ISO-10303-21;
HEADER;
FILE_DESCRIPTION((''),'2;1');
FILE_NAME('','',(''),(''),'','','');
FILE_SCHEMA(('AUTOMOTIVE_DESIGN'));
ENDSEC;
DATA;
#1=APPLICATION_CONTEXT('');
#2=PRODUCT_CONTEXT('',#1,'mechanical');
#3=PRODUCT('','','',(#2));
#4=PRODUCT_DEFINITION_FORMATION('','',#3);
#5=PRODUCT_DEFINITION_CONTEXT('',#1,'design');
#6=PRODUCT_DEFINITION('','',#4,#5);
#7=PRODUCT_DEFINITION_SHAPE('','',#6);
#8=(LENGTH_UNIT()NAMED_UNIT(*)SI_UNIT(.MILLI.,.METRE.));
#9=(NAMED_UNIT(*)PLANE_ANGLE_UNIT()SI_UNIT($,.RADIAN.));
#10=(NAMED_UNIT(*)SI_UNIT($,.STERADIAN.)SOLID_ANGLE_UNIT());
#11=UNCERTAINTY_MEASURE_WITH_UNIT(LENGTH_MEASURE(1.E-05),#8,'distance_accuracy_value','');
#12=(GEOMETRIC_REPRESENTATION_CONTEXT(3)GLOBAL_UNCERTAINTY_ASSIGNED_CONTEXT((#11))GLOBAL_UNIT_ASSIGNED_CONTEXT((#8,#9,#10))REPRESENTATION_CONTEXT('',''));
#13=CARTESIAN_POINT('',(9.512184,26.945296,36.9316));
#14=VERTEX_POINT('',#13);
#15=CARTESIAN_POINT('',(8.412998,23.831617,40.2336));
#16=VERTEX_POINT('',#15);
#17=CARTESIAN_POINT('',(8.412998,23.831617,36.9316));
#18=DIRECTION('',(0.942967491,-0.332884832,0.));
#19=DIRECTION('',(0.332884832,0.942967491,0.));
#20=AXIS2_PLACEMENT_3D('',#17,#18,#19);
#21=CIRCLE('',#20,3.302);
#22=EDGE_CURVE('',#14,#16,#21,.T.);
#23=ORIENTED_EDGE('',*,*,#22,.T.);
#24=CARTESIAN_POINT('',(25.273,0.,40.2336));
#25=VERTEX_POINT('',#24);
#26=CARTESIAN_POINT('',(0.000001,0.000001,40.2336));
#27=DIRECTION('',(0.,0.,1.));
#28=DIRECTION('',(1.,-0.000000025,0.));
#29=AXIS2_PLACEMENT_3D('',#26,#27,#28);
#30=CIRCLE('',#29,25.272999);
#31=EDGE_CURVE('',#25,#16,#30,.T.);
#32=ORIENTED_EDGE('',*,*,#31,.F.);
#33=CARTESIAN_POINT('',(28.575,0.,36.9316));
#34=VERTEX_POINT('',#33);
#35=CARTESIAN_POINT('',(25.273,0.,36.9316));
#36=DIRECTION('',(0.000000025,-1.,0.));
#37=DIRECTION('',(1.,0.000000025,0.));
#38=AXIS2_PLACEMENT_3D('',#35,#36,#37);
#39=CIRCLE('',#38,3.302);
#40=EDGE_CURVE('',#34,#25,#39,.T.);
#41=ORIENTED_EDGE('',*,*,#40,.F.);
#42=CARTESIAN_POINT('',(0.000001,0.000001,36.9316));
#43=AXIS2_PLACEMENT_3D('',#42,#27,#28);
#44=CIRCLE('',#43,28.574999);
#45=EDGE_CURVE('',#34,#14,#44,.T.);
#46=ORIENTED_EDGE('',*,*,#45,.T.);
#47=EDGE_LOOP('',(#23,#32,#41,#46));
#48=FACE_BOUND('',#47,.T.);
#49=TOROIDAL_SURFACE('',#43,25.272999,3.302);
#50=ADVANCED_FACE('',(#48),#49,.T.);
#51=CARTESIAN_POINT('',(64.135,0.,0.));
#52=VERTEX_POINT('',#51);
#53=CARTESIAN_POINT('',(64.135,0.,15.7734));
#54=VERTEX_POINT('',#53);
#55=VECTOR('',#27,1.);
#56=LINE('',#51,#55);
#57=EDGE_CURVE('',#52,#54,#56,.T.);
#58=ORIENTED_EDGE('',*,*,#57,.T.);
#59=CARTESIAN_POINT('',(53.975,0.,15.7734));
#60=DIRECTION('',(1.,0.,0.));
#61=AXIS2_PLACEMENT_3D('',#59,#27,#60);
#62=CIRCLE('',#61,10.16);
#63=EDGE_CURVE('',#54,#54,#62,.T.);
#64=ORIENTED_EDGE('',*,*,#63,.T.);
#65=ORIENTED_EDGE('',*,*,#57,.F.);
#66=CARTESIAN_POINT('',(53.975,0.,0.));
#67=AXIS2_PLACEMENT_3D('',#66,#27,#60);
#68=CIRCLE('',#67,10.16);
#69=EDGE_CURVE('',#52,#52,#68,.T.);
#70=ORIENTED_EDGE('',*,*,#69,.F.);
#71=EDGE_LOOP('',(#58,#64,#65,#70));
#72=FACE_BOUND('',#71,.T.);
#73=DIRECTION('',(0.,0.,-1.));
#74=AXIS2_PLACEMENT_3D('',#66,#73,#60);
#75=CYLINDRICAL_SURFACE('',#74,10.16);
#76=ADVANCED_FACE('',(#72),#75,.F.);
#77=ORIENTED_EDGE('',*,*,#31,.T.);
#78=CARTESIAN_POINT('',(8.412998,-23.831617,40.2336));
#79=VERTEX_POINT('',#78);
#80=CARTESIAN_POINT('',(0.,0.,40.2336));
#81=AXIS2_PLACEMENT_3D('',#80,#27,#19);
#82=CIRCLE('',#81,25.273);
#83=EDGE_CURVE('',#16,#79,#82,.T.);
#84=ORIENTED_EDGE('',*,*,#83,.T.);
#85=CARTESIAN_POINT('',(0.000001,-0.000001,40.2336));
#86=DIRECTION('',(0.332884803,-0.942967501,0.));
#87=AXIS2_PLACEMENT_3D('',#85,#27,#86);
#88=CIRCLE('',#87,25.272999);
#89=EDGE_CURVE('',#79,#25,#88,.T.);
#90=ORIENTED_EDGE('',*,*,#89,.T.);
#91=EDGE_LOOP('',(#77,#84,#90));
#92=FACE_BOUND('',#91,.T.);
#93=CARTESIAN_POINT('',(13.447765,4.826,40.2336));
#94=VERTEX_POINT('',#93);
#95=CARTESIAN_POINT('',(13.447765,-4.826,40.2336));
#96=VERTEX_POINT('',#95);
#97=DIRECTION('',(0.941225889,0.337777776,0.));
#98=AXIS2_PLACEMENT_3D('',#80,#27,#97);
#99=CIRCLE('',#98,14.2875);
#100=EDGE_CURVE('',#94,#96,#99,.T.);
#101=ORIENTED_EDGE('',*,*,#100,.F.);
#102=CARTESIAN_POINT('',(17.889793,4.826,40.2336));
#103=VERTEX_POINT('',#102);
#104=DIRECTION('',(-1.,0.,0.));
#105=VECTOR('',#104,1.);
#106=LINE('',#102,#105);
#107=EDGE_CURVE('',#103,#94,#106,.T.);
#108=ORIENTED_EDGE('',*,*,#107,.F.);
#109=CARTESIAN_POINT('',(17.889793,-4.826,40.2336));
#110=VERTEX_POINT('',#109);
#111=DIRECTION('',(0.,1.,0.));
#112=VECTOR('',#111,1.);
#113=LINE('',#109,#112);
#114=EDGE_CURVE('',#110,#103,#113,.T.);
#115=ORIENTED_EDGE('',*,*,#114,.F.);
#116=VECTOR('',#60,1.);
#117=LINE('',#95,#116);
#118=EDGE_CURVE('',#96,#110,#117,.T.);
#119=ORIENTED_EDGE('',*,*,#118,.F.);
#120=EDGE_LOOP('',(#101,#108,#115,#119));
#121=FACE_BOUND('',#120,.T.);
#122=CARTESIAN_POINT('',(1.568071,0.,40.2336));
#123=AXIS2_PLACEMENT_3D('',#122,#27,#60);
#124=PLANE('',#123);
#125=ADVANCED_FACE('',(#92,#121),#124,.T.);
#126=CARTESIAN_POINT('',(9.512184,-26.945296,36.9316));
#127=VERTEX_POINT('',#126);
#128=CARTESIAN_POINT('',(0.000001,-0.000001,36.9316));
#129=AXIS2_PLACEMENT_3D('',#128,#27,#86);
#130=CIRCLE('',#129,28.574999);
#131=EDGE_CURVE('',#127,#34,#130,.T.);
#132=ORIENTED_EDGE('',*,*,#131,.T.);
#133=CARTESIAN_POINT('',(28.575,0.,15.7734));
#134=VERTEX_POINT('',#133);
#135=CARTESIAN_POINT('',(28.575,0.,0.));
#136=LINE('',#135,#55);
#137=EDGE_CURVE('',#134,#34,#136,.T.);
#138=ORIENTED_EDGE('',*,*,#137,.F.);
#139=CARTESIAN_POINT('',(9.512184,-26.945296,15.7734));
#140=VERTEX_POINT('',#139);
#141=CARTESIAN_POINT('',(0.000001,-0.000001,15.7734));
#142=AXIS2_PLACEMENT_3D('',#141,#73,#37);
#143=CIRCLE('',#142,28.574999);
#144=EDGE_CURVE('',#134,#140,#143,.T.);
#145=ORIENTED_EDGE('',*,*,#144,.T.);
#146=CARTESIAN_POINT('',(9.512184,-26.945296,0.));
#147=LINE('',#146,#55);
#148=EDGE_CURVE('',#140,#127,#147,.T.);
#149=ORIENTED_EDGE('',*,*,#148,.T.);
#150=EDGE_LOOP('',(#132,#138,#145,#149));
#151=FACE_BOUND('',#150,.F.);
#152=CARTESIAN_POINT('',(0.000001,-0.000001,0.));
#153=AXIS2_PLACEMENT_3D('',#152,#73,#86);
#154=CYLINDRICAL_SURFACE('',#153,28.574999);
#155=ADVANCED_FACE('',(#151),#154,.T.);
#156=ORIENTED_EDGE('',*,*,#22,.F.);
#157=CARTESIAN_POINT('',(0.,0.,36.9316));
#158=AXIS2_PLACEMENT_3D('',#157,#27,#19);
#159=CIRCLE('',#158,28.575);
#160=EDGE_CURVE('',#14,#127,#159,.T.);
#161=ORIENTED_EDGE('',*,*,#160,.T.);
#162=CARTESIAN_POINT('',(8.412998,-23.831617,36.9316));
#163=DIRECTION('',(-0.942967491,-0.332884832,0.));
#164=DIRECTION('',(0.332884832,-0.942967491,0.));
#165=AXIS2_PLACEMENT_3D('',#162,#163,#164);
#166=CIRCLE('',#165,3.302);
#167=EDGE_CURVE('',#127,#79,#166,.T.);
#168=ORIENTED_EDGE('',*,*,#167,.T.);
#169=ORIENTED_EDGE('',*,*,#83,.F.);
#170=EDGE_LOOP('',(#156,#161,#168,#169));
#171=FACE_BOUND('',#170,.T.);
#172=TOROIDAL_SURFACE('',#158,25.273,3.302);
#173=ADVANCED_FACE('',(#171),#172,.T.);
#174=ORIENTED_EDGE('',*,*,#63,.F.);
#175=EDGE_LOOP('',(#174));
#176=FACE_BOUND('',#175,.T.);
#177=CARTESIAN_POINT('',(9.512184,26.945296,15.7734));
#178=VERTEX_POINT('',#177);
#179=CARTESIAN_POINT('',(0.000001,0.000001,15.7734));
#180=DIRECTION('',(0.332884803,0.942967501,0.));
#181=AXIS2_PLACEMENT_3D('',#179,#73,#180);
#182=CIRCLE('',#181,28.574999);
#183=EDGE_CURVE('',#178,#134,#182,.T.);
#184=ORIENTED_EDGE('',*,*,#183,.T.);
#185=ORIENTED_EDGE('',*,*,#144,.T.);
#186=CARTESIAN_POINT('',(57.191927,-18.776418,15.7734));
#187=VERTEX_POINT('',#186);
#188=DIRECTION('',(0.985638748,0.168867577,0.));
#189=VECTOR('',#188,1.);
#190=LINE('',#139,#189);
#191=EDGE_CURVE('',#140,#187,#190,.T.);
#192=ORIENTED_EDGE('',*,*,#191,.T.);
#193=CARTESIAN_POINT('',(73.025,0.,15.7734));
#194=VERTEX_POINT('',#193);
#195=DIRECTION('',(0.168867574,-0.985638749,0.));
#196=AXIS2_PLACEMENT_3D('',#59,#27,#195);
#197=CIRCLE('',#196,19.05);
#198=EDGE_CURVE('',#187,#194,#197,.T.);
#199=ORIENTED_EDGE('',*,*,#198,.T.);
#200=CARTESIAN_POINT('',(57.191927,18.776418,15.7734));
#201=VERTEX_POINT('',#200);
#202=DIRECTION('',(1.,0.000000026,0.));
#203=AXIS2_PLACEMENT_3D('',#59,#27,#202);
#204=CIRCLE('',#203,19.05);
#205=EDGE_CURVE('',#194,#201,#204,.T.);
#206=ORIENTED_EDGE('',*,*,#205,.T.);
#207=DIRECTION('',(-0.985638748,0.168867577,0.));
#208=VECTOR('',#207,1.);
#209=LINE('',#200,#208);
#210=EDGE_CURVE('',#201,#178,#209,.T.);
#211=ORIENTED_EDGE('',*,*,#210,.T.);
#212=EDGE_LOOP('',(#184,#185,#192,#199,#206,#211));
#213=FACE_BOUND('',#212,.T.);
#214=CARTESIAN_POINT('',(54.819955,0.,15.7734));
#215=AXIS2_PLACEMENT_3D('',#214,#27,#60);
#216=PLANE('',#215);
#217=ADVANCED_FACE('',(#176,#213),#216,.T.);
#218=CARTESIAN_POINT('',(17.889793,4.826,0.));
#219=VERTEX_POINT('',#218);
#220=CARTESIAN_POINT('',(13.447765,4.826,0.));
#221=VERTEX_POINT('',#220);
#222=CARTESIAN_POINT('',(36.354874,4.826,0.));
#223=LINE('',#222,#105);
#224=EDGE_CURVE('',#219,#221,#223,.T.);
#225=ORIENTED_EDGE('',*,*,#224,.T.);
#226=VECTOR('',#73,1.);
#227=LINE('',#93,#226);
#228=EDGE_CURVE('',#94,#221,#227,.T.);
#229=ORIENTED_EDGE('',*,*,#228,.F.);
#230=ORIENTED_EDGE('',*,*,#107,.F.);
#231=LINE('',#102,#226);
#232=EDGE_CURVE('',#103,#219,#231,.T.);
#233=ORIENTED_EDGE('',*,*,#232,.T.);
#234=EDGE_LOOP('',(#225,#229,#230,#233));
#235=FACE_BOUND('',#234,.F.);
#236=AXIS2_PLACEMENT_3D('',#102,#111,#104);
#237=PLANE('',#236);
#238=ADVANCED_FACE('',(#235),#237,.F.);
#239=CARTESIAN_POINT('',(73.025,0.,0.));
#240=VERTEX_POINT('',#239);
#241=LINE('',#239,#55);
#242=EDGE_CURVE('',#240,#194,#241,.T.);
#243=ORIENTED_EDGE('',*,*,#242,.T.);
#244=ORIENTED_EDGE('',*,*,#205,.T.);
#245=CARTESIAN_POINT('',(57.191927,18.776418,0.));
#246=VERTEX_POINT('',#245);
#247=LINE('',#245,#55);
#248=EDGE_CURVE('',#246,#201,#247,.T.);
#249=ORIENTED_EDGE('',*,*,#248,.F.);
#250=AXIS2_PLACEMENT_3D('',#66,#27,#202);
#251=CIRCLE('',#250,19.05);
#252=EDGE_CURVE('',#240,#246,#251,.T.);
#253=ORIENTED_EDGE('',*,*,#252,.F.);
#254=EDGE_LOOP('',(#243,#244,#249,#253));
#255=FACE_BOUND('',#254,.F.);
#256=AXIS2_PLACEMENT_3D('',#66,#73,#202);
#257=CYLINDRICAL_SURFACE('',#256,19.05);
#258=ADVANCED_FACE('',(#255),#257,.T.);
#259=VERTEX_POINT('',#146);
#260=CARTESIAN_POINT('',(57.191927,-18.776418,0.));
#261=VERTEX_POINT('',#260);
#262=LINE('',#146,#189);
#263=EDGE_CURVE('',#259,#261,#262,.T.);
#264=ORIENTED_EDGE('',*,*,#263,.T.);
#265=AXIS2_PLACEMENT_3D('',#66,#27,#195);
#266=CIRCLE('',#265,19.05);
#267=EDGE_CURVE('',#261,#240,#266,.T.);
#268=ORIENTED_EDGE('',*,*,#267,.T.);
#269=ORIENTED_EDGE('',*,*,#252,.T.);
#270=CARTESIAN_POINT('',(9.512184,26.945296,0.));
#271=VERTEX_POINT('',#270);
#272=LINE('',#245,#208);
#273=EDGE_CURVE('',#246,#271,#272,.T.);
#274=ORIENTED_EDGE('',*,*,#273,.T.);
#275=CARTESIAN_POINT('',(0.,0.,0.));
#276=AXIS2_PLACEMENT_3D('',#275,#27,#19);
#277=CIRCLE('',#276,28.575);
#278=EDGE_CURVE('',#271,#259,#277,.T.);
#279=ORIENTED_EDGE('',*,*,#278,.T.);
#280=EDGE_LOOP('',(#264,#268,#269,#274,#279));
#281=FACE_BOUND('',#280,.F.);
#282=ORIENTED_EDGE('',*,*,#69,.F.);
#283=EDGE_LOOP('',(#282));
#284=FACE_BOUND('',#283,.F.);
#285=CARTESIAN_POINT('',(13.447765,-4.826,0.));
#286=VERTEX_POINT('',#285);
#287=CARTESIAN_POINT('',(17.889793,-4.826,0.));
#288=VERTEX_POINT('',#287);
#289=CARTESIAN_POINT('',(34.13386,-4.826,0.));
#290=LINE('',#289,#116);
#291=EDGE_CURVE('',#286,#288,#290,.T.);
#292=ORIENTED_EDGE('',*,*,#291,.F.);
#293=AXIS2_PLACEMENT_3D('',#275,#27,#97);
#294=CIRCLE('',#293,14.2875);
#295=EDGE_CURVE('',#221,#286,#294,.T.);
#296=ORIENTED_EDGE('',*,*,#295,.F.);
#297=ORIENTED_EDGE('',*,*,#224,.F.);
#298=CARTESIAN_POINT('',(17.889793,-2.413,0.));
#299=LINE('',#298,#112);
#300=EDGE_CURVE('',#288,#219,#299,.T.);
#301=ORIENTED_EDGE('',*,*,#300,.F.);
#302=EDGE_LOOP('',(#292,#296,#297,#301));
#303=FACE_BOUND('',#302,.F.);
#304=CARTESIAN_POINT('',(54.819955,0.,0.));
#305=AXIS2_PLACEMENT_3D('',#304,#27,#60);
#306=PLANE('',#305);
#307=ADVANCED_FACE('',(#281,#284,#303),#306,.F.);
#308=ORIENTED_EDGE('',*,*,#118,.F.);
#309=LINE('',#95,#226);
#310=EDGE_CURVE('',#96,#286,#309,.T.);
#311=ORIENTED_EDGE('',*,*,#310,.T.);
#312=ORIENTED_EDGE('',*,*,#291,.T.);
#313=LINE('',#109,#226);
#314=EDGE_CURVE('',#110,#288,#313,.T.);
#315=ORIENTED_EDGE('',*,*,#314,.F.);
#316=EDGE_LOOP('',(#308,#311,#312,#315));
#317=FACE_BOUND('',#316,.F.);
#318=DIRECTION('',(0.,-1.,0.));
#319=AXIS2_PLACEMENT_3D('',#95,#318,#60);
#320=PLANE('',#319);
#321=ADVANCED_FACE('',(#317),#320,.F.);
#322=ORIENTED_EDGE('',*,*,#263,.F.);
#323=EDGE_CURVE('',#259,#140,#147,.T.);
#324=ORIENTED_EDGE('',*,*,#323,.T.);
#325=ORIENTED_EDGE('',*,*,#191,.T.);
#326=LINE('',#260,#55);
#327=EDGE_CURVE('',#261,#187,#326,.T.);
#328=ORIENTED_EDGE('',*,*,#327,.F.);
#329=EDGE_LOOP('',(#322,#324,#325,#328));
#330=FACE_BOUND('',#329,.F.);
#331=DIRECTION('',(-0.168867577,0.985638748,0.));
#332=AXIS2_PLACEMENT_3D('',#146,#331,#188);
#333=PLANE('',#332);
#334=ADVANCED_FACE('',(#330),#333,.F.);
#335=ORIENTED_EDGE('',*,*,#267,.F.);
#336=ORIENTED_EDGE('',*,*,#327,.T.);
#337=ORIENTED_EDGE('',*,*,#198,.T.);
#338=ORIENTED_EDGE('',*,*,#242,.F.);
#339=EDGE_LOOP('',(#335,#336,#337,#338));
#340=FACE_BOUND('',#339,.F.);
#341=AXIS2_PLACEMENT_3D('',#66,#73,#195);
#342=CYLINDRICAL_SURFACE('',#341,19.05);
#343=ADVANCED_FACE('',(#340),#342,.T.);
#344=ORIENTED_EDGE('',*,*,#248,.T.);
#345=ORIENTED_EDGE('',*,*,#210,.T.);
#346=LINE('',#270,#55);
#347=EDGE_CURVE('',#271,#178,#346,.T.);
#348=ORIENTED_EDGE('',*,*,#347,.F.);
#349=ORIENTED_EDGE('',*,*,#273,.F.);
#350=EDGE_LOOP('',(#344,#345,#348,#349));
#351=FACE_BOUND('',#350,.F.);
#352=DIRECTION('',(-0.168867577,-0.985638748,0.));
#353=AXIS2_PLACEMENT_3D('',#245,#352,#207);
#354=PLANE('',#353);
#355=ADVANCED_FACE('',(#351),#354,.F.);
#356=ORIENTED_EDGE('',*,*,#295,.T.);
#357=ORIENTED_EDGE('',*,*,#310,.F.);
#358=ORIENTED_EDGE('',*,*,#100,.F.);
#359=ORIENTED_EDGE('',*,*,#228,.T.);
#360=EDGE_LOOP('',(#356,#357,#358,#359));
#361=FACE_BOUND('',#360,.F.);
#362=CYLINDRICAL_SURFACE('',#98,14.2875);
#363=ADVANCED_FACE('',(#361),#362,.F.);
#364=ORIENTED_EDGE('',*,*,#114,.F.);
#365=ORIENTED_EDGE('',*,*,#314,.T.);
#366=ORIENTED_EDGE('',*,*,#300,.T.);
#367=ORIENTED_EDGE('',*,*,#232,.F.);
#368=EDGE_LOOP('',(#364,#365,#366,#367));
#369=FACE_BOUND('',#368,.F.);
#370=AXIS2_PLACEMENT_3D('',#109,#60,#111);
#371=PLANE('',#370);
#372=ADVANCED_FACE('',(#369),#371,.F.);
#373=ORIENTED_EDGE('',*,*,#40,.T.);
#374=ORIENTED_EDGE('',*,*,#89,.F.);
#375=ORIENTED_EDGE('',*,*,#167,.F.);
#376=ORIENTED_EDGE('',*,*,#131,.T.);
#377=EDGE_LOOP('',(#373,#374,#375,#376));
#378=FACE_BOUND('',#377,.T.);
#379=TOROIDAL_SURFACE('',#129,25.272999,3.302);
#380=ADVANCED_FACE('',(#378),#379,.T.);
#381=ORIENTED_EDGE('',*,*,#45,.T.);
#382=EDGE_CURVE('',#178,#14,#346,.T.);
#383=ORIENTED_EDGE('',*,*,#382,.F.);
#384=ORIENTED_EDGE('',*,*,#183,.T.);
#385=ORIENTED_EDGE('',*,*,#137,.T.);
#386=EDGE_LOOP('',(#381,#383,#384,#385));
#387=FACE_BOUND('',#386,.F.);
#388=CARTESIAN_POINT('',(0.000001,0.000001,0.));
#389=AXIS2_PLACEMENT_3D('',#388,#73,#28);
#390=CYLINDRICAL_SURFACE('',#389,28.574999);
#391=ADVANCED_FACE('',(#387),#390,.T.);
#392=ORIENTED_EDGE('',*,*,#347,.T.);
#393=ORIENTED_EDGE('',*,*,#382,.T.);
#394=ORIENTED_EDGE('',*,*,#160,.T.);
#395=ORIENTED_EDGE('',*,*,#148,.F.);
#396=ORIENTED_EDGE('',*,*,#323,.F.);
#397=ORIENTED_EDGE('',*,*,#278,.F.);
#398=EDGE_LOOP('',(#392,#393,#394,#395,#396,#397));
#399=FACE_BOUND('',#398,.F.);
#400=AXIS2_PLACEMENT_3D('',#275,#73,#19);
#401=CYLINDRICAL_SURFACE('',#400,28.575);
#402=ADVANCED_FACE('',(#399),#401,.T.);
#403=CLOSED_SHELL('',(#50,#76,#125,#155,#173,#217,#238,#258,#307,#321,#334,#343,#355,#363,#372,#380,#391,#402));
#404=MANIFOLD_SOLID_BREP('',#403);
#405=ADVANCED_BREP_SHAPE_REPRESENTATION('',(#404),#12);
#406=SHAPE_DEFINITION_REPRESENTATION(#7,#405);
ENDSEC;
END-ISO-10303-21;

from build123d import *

# Parameters (mm, degrees)
F1_DEPTH = 40.2336
F2_R     = 10.16
F3_DEPTH = 15.7734
F5_DEPTH = 40.2346
F6_R     = 3.302


with BuildPart() as f1:
    # F0 (on Top) → F1 (new body)
    with BuildSketch(Plane.XY):
        with BuildLine():
            ThreePointArc((9.512184, -26.945296), (23.327466, -16.503332), (28.575, 0))
            ThreePointArc((28.575, 0), (23.327466, 16.503332), (9.512184, 26.945296))
            ThreePointArc((9.512184, 26.945296), (-28.575, 0), (9.512184, -26.945296))
        make_face()
    extrude(amount=F1_DEPTH)

    # F2 (on Top) + F0 (on Top) → F3 (join)
    with BuildSketch(Plane.XY):
        with BuildLine():
            ThreePointArc((57.191927, -18.776418), (68.538395, -12.280473), (73.025, 0))
            ThreePointArc((73.025, 0), (68.538395, 12.280473), (57.191927, 18.776418))
            ThreePointArc((57.191927, 18.776418), (34.925, 0), (57.191927, -18.776418))
        make_face()
        with Locations((53.975, 0)):
            Circle(F2_R, mode=Mode.SUBTRACT)
    with BuildSketch(Plane.XY):
        with BuildLine():
            ThreePointArc((9.512184, 26.945296), (23.327466, 16.503332), (28.575, 0))
            ThreePointArc((28.575, 0), (23.327466, -16.503332), (9.512184, -26.945296))
            Line((9.512184, -26.945296), (57.191927, -18.776418))
            ThreePointArc((57.191927, -18.776418), (34.925, 0), (57.191927, 18.776418))
            Line((57.191927, 18.776418), (9.512184, 26.945296))
        make_face()
    extrude(amount=F3_DEPTH)

    # F4 (on face) → F5 (cut, through all)
    with BuildSketch(Plane.XY.offset(40.2336)):
        with BuildLine():
            Line((17.889793, 4.826), (13.447765, 4.826))
            ThreePointArc((13.447765, 4.826), (-14.2875, 0), (13.447765, -4.826))
            Line((13.447765, -4.826), (17.889793, -4.826))
            Line((17.889793, -4.826), (17.889793, 4.826))
        make_face()
    extrude(amount=-F5_DEPTH, mode=Mode.SUBTRACT)

    # F6
    f6_edges = [f1.edges().sort_by_distance(p)[0] for p in [
        (-9.512184, 26.945296, 40.2336),
    ]]
    fillet(f6_edges, radius=F6_R)


solid = f1.part
